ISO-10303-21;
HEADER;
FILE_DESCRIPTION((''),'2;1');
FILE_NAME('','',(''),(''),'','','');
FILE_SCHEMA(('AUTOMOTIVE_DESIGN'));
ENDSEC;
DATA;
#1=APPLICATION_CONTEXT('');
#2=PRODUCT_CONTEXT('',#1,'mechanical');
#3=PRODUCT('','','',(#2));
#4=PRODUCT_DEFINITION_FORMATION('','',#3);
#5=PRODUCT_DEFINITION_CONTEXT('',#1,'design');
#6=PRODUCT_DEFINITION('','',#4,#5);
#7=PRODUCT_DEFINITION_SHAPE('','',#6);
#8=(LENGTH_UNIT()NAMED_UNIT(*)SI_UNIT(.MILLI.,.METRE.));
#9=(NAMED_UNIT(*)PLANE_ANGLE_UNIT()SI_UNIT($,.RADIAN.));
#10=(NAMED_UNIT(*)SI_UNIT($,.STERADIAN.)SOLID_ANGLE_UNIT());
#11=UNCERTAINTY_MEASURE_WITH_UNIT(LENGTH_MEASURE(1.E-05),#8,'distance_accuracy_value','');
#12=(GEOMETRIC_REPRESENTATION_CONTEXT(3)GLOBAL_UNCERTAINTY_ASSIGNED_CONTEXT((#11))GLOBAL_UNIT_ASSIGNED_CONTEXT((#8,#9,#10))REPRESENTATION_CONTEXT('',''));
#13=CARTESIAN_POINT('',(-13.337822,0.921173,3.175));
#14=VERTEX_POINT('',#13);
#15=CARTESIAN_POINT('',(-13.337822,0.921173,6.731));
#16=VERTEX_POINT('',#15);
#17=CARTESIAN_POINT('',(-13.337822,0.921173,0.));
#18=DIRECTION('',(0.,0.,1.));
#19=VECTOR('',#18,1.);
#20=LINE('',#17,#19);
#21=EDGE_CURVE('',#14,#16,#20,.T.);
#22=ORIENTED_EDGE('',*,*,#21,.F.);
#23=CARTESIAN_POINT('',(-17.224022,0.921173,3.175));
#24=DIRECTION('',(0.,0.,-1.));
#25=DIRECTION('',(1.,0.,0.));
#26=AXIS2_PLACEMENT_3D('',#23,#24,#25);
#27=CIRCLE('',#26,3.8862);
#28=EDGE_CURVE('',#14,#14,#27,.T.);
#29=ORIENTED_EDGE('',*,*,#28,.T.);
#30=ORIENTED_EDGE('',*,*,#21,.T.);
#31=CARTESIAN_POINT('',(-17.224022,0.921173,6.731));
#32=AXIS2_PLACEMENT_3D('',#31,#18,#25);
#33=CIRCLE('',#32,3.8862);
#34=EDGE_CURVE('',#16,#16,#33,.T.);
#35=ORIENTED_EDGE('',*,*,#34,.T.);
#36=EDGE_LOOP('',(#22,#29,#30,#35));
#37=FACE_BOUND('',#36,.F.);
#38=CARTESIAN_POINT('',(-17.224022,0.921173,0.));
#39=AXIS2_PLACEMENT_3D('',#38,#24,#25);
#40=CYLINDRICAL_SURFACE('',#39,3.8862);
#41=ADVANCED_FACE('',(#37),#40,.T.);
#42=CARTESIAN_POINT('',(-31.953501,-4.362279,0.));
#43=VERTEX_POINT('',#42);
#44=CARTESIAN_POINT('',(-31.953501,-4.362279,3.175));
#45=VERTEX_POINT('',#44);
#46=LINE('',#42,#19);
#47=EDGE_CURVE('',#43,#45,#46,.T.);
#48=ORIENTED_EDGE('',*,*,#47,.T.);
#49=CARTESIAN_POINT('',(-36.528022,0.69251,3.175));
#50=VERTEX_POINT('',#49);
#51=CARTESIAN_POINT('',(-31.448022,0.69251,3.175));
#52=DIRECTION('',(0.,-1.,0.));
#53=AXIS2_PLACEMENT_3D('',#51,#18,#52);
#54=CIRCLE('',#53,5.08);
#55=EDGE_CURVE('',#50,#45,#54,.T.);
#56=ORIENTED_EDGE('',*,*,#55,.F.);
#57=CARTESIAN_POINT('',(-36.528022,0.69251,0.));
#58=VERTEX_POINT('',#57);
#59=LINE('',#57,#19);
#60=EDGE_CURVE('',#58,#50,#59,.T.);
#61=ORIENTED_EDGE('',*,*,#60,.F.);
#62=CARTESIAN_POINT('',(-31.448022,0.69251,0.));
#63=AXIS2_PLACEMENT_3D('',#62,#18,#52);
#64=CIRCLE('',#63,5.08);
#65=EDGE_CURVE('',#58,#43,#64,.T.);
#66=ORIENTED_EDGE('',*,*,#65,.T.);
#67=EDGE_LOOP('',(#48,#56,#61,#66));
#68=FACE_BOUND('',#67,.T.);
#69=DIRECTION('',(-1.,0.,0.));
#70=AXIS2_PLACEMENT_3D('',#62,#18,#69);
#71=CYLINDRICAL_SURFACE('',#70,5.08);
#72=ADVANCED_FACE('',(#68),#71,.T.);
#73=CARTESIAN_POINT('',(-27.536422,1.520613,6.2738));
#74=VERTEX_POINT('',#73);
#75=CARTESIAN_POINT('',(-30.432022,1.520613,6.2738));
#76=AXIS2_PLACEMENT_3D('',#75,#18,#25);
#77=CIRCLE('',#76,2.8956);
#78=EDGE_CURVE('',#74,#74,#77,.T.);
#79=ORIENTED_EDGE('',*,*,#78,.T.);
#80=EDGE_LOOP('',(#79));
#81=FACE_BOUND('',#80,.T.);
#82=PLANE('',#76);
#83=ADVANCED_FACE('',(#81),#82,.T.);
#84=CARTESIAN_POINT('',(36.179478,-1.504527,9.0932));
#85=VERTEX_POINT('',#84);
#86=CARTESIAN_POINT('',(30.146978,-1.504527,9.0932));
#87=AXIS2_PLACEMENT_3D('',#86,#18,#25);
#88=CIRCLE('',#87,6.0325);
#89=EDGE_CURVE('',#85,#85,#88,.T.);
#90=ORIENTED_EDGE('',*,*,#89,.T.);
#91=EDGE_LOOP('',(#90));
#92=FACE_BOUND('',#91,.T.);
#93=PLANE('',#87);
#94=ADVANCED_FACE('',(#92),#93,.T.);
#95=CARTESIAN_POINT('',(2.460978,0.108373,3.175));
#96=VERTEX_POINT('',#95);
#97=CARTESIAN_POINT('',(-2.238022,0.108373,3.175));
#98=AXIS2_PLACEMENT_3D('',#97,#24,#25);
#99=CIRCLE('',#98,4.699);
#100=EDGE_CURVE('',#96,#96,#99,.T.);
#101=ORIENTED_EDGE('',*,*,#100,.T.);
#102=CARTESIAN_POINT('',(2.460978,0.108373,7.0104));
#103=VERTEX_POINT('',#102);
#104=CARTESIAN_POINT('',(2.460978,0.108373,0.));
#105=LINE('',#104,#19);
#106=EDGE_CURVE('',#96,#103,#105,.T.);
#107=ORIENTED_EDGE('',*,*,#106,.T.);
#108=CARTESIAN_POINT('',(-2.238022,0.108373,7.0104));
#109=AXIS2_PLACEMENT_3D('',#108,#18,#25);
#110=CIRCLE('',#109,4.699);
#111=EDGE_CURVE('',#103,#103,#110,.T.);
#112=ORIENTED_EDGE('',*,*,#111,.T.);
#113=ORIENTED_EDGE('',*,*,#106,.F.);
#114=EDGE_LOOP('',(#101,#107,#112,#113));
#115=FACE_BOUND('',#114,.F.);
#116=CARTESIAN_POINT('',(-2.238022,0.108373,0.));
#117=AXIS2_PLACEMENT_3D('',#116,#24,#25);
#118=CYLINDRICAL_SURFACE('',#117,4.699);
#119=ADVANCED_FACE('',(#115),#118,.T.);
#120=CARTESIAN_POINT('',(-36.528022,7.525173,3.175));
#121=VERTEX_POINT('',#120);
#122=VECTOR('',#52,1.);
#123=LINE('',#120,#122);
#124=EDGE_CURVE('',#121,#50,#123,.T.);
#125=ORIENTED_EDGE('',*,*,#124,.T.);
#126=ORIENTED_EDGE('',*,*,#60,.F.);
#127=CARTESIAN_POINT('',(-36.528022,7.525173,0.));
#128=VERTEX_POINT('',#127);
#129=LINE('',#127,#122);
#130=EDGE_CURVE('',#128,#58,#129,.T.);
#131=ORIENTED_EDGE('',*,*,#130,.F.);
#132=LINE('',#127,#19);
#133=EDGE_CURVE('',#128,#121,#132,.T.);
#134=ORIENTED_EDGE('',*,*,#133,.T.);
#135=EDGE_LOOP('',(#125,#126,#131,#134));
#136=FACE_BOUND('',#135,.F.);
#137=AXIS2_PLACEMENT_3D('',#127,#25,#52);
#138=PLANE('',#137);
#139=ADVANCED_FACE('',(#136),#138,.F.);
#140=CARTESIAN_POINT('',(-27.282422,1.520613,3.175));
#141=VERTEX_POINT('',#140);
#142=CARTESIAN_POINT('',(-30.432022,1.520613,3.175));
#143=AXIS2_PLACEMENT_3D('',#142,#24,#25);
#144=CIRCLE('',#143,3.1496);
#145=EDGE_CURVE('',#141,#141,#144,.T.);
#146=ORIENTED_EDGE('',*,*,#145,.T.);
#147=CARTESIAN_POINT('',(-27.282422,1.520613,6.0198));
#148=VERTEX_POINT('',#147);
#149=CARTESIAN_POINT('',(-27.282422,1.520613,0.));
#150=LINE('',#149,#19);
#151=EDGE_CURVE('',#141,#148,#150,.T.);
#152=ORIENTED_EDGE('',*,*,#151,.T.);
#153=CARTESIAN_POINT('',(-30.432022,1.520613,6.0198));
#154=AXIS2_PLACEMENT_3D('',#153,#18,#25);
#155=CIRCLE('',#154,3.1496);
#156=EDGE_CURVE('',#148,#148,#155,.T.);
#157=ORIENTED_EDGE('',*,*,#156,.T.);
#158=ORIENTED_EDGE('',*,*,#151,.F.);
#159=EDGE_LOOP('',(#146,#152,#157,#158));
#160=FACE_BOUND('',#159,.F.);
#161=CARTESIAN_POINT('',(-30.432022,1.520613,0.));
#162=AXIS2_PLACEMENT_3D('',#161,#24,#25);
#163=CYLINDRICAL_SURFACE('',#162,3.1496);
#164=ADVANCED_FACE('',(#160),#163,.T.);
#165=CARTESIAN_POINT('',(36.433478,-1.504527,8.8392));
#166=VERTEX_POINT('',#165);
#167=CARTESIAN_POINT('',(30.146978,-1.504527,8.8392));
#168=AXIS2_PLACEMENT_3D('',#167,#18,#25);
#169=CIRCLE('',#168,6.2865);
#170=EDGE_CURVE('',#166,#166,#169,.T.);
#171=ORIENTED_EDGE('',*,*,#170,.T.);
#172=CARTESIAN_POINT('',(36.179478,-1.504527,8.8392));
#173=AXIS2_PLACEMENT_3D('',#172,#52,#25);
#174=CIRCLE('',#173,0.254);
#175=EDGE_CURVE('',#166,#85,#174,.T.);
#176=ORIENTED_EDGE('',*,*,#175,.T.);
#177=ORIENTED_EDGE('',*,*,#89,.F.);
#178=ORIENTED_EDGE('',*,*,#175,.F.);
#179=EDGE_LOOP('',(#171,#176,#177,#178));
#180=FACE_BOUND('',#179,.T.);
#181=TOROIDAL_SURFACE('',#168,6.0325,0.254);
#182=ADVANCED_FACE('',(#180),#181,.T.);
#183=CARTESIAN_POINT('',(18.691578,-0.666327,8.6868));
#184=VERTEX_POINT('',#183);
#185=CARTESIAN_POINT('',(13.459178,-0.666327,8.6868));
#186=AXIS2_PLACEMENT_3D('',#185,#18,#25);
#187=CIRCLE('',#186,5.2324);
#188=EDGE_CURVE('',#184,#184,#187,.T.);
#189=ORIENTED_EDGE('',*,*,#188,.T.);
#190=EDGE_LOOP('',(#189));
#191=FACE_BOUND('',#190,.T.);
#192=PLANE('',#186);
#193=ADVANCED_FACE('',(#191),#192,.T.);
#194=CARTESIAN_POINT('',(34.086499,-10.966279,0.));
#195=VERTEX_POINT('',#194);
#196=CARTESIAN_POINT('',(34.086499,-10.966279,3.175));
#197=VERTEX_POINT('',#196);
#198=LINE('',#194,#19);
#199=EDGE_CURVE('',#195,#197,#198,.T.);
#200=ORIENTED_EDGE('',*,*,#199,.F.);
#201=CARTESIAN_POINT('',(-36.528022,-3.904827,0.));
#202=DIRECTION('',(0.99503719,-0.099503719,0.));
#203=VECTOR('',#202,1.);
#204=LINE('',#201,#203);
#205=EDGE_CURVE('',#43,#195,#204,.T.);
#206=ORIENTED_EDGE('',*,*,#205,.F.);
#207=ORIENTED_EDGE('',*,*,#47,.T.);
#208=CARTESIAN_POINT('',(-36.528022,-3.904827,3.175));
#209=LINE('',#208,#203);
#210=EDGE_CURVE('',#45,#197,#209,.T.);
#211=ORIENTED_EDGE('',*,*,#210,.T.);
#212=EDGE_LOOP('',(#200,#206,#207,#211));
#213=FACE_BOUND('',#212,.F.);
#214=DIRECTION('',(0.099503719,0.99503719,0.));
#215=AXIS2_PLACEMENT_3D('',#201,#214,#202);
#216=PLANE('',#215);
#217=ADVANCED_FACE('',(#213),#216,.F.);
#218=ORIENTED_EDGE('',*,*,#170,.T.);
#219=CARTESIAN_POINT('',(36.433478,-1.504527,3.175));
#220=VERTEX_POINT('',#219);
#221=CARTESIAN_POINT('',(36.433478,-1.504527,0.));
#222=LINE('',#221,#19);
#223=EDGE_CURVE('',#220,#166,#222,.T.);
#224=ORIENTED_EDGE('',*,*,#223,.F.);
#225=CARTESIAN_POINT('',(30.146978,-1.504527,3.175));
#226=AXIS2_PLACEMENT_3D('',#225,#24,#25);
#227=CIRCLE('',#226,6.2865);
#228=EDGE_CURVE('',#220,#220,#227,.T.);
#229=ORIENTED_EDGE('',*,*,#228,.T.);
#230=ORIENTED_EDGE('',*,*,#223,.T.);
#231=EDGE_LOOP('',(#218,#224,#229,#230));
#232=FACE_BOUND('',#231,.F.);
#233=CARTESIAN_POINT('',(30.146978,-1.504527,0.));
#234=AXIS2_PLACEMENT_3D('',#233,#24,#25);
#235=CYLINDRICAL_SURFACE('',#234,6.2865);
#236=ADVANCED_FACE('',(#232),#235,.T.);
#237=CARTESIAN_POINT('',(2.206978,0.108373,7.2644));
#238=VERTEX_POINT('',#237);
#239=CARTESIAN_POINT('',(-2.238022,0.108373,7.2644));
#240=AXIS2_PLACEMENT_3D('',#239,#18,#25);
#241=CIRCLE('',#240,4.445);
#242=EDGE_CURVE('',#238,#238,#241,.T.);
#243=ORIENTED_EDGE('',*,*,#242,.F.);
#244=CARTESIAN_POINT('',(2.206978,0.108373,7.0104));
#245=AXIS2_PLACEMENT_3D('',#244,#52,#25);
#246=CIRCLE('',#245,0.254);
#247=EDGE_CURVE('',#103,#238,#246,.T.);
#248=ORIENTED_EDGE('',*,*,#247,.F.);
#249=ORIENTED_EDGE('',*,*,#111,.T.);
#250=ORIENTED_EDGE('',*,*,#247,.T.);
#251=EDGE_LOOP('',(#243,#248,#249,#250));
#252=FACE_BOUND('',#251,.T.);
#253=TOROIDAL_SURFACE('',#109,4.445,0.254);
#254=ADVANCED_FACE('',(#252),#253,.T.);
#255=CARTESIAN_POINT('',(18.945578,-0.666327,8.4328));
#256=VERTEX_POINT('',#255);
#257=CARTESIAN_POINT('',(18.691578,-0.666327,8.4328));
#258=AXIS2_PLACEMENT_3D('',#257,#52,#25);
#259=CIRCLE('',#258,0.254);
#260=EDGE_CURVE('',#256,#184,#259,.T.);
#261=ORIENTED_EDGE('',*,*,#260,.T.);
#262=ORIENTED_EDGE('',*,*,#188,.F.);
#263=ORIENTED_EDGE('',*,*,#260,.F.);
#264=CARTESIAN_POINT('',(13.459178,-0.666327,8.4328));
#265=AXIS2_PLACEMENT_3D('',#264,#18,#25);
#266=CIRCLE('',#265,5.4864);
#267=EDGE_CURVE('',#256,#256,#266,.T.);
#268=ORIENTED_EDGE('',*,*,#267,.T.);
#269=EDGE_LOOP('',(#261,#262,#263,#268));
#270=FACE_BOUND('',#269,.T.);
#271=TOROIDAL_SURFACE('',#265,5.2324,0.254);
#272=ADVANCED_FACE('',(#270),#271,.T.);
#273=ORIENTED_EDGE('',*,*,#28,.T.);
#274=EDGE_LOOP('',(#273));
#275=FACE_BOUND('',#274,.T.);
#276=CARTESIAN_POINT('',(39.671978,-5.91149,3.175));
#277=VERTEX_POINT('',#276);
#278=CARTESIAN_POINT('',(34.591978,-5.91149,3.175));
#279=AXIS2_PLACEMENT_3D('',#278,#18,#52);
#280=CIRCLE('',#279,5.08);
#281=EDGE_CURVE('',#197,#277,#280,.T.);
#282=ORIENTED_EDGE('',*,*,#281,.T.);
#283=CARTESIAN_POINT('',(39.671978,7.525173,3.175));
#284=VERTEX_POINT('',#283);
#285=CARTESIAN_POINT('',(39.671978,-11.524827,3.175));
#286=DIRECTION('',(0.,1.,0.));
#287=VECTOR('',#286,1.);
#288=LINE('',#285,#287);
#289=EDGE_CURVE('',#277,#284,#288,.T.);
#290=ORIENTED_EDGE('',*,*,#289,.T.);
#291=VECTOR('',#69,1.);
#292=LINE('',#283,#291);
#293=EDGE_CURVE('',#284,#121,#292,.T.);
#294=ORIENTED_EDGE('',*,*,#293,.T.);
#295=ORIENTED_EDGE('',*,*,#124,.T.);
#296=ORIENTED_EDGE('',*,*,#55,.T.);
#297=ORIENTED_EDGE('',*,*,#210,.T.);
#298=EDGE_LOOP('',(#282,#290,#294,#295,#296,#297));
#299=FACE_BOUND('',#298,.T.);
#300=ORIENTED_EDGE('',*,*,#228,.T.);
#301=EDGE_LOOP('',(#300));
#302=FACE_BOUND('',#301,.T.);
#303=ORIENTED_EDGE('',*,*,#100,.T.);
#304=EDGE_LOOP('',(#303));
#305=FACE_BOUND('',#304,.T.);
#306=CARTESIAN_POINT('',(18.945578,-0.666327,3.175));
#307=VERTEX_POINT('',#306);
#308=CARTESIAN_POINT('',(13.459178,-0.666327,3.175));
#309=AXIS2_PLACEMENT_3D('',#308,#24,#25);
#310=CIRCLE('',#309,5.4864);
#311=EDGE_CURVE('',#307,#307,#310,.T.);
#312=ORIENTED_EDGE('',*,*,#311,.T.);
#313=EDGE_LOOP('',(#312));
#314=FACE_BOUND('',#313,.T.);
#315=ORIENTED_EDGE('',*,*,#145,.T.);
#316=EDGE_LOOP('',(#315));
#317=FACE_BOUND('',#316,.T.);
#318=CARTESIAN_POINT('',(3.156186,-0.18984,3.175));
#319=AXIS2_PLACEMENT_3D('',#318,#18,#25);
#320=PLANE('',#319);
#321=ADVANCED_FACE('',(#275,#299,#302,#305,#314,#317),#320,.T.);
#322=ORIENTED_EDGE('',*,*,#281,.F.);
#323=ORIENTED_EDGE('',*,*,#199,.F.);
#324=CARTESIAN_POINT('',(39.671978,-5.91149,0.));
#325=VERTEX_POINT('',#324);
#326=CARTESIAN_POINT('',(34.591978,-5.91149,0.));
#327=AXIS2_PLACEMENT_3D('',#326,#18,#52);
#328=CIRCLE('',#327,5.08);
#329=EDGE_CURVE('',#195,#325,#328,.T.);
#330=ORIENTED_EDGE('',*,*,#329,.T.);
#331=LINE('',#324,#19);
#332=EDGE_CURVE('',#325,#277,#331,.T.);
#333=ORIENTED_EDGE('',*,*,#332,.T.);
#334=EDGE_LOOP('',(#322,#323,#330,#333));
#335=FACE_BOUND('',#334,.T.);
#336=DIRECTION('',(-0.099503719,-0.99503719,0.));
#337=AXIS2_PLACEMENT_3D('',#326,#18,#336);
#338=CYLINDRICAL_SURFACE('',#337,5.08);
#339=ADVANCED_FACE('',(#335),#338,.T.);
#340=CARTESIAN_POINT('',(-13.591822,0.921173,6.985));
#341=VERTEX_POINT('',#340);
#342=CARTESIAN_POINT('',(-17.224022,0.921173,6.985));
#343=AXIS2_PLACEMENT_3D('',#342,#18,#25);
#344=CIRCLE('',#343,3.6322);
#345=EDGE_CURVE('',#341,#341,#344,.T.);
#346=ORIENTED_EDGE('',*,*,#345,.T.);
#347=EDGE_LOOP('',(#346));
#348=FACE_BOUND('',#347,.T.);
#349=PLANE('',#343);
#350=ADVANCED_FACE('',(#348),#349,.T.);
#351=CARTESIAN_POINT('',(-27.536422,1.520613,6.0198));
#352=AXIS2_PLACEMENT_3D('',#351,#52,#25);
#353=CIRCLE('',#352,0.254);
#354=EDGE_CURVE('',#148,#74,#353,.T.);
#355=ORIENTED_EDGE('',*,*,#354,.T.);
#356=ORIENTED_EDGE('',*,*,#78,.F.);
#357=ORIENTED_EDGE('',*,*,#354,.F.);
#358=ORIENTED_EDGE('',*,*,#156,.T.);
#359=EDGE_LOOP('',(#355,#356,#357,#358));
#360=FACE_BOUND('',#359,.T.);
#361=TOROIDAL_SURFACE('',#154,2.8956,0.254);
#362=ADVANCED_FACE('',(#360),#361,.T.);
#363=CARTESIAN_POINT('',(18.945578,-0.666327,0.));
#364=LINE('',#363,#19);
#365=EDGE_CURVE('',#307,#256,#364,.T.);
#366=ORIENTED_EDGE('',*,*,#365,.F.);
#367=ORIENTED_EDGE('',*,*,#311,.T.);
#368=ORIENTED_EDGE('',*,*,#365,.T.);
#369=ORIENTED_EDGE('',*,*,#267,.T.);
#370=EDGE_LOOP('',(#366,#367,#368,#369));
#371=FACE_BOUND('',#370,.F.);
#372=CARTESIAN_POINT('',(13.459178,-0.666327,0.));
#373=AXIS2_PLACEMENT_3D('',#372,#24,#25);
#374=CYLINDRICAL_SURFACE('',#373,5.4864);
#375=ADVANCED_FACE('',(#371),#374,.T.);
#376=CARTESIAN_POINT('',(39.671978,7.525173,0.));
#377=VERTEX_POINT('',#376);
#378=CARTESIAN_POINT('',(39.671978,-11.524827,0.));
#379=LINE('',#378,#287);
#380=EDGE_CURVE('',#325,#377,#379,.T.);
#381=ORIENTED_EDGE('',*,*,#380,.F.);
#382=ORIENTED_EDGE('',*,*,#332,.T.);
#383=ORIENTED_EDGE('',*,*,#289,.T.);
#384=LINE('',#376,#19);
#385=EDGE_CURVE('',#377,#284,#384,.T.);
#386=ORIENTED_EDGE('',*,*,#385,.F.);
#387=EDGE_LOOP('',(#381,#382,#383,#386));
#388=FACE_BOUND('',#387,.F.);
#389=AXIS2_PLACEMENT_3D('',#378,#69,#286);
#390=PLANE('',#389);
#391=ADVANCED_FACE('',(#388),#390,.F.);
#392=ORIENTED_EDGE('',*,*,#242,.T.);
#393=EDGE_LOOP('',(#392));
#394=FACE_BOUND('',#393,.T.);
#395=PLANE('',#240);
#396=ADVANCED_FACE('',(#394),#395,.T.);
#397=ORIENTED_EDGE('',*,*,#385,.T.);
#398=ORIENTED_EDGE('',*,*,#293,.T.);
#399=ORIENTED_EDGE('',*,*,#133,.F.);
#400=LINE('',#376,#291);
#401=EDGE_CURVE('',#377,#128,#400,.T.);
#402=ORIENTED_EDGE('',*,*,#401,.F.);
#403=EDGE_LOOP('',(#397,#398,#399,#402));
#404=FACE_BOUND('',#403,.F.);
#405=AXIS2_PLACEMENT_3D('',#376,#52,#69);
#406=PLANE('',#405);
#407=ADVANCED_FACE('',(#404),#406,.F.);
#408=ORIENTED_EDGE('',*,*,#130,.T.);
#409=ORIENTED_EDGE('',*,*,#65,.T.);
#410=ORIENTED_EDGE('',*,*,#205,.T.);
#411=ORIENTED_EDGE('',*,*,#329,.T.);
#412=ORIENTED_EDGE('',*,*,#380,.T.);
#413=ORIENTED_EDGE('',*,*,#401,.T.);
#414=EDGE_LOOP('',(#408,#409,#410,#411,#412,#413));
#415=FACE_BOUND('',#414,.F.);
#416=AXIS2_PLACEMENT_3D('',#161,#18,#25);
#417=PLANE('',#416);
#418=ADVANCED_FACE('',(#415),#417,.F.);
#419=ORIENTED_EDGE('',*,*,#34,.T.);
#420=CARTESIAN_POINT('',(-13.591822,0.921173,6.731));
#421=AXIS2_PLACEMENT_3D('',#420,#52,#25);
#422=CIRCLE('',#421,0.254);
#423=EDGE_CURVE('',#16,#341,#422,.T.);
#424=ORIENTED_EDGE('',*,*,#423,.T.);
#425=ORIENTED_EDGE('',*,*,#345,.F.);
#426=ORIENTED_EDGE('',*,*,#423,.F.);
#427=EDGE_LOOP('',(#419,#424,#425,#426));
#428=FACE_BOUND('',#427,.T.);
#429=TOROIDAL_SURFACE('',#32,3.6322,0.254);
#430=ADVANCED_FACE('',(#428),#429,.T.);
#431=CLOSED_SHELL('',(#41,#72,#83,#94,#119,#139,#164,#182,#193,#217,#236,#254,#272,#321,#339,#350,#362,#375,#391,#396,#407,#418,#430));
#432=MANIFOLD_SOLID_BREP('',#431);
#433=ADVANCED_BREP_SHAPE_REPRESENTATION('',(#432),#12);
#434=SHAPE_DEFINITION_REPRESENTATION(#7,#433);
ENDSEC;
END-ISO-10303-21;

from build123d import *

# Parameters (mm, degrees)
F2_R     = 3.1496
F2_R_2   = 4.699
F2_R_3   = 3.8862
F2_R_4   = 5.4864
F2_R_5   = 6.2865
F3_DEPTH = 3.175
F1_R     = 6.2865
F4_DEPTH = 9.0932
F0_R     = 5.4864
F5_DEPTH = 8.6868
F6_DEPTH = 7.2644
F7_DEPTH = 6.985
F8_DEPTH = 6.2738
F9_R     = 5.08
F10_R    = 0.254


with BuildPart() as f3:
    # F2 (on face) → F3 (new body)
    with BuildSketch(Plane.XY):
        Polygon((-36.528022, 7.525173), (-36.528022, -3.904827), (39.671978, -11.524827), (39.671978, 7.525173), align=None)
        with Locations((-30.432022, 1.520613)):
            Circle(F2_R, mode=Mode.SUBTRACT)
        with Locations((-2.238022, 0.108373)):
            Circle(F2_R_2, mode=Mode.SUBTRACT)
        with Locations((-17.224022, 0.921173)):
            Circle(F2_R_3, mode=Mode.SUBTRACT)
        with Locations((13.459178, -0.666327)):
            Circle(F2_R_4, mode=Mode.SUBTRACT)
        with Locations((30.146978, -1.504527)):
            Circle(F2_R_5, mode=Mode.SUBTRACT)
        with Locations((30.146978, -1.504527)):
            Circle(F2_R_5)
        with Locations((13.459178, -0.666327)):
            Circle(F2_R_4)
        with Locations((-2.238022, 0.108373)):
            Circle(F2_R_2)
        with Locations((-17.224022, 0.921173)):
            Circle(F2_R_3)
        with Locations((-30.432022, 1.520613)):
            Circle(F2_R)
    extrude(amount=F3_DEPTH)

    # F1 (on face) → F4 (join)
    with BuildSketch(Plane.XY):
        with Locations((30.146978, -1.504527)):
            Circle(F1_R)
    extrude(amount=F4_DEPTH)

    # F0 (on Top) → F5 (join)
    with BuildSketch(Plane.XY):
        with Locations((13.459178, -0.666327)):
            Circle(F0_R)
    extrude(amount=F5_DEPTH)

    # F2 (on face) → F6 (join)
    with BuildSketch(Plane.XY):
        with Locations((-2.238022, 0.108373)):
            Circle(F2_R_2)
    extrude(amount=F6_DEPTH)

    # F2 (on face) → F7 (join)
    with BuildSketch(Plane.XY):
        with Locations((-17.224022, 0.921173)):
            Circle(F2_R_3)
    extrude(amount=F7_DEPTH)

    # F2 (on face) → F8 (join)
    with BuildSketch(Plane.XY):
        with Locations((-30.432022, 1.520613)):
            Circle(F2_R)
    extrude(amount=F8_DEPTH)

    # F9
    f9_edges = [f3.edges().sort_by_distance(p)[0] for p in [
        (39.671978, -11.524827, 1.5875),
        (-36.528022, -3.904827, 1.5875),
    ]]
    fillet(f9_edges, radius=F9_R)

    # F10
    f10_edges = [f3.edges().sort_by_distance(p)[0] for p in [
        (23.860478, -1.504527, 9.0932),
        (7.972778, -0.666327, 8.6868),
        (-6.937022, 0.108373, 7.2644),
        (-21.110222, 0.921173, 6.985),
        (-33.581622, 1.520613, 6.2738),
    ]]
    fillet(f10_edges, radius=F10_R)


solid = f3.part
